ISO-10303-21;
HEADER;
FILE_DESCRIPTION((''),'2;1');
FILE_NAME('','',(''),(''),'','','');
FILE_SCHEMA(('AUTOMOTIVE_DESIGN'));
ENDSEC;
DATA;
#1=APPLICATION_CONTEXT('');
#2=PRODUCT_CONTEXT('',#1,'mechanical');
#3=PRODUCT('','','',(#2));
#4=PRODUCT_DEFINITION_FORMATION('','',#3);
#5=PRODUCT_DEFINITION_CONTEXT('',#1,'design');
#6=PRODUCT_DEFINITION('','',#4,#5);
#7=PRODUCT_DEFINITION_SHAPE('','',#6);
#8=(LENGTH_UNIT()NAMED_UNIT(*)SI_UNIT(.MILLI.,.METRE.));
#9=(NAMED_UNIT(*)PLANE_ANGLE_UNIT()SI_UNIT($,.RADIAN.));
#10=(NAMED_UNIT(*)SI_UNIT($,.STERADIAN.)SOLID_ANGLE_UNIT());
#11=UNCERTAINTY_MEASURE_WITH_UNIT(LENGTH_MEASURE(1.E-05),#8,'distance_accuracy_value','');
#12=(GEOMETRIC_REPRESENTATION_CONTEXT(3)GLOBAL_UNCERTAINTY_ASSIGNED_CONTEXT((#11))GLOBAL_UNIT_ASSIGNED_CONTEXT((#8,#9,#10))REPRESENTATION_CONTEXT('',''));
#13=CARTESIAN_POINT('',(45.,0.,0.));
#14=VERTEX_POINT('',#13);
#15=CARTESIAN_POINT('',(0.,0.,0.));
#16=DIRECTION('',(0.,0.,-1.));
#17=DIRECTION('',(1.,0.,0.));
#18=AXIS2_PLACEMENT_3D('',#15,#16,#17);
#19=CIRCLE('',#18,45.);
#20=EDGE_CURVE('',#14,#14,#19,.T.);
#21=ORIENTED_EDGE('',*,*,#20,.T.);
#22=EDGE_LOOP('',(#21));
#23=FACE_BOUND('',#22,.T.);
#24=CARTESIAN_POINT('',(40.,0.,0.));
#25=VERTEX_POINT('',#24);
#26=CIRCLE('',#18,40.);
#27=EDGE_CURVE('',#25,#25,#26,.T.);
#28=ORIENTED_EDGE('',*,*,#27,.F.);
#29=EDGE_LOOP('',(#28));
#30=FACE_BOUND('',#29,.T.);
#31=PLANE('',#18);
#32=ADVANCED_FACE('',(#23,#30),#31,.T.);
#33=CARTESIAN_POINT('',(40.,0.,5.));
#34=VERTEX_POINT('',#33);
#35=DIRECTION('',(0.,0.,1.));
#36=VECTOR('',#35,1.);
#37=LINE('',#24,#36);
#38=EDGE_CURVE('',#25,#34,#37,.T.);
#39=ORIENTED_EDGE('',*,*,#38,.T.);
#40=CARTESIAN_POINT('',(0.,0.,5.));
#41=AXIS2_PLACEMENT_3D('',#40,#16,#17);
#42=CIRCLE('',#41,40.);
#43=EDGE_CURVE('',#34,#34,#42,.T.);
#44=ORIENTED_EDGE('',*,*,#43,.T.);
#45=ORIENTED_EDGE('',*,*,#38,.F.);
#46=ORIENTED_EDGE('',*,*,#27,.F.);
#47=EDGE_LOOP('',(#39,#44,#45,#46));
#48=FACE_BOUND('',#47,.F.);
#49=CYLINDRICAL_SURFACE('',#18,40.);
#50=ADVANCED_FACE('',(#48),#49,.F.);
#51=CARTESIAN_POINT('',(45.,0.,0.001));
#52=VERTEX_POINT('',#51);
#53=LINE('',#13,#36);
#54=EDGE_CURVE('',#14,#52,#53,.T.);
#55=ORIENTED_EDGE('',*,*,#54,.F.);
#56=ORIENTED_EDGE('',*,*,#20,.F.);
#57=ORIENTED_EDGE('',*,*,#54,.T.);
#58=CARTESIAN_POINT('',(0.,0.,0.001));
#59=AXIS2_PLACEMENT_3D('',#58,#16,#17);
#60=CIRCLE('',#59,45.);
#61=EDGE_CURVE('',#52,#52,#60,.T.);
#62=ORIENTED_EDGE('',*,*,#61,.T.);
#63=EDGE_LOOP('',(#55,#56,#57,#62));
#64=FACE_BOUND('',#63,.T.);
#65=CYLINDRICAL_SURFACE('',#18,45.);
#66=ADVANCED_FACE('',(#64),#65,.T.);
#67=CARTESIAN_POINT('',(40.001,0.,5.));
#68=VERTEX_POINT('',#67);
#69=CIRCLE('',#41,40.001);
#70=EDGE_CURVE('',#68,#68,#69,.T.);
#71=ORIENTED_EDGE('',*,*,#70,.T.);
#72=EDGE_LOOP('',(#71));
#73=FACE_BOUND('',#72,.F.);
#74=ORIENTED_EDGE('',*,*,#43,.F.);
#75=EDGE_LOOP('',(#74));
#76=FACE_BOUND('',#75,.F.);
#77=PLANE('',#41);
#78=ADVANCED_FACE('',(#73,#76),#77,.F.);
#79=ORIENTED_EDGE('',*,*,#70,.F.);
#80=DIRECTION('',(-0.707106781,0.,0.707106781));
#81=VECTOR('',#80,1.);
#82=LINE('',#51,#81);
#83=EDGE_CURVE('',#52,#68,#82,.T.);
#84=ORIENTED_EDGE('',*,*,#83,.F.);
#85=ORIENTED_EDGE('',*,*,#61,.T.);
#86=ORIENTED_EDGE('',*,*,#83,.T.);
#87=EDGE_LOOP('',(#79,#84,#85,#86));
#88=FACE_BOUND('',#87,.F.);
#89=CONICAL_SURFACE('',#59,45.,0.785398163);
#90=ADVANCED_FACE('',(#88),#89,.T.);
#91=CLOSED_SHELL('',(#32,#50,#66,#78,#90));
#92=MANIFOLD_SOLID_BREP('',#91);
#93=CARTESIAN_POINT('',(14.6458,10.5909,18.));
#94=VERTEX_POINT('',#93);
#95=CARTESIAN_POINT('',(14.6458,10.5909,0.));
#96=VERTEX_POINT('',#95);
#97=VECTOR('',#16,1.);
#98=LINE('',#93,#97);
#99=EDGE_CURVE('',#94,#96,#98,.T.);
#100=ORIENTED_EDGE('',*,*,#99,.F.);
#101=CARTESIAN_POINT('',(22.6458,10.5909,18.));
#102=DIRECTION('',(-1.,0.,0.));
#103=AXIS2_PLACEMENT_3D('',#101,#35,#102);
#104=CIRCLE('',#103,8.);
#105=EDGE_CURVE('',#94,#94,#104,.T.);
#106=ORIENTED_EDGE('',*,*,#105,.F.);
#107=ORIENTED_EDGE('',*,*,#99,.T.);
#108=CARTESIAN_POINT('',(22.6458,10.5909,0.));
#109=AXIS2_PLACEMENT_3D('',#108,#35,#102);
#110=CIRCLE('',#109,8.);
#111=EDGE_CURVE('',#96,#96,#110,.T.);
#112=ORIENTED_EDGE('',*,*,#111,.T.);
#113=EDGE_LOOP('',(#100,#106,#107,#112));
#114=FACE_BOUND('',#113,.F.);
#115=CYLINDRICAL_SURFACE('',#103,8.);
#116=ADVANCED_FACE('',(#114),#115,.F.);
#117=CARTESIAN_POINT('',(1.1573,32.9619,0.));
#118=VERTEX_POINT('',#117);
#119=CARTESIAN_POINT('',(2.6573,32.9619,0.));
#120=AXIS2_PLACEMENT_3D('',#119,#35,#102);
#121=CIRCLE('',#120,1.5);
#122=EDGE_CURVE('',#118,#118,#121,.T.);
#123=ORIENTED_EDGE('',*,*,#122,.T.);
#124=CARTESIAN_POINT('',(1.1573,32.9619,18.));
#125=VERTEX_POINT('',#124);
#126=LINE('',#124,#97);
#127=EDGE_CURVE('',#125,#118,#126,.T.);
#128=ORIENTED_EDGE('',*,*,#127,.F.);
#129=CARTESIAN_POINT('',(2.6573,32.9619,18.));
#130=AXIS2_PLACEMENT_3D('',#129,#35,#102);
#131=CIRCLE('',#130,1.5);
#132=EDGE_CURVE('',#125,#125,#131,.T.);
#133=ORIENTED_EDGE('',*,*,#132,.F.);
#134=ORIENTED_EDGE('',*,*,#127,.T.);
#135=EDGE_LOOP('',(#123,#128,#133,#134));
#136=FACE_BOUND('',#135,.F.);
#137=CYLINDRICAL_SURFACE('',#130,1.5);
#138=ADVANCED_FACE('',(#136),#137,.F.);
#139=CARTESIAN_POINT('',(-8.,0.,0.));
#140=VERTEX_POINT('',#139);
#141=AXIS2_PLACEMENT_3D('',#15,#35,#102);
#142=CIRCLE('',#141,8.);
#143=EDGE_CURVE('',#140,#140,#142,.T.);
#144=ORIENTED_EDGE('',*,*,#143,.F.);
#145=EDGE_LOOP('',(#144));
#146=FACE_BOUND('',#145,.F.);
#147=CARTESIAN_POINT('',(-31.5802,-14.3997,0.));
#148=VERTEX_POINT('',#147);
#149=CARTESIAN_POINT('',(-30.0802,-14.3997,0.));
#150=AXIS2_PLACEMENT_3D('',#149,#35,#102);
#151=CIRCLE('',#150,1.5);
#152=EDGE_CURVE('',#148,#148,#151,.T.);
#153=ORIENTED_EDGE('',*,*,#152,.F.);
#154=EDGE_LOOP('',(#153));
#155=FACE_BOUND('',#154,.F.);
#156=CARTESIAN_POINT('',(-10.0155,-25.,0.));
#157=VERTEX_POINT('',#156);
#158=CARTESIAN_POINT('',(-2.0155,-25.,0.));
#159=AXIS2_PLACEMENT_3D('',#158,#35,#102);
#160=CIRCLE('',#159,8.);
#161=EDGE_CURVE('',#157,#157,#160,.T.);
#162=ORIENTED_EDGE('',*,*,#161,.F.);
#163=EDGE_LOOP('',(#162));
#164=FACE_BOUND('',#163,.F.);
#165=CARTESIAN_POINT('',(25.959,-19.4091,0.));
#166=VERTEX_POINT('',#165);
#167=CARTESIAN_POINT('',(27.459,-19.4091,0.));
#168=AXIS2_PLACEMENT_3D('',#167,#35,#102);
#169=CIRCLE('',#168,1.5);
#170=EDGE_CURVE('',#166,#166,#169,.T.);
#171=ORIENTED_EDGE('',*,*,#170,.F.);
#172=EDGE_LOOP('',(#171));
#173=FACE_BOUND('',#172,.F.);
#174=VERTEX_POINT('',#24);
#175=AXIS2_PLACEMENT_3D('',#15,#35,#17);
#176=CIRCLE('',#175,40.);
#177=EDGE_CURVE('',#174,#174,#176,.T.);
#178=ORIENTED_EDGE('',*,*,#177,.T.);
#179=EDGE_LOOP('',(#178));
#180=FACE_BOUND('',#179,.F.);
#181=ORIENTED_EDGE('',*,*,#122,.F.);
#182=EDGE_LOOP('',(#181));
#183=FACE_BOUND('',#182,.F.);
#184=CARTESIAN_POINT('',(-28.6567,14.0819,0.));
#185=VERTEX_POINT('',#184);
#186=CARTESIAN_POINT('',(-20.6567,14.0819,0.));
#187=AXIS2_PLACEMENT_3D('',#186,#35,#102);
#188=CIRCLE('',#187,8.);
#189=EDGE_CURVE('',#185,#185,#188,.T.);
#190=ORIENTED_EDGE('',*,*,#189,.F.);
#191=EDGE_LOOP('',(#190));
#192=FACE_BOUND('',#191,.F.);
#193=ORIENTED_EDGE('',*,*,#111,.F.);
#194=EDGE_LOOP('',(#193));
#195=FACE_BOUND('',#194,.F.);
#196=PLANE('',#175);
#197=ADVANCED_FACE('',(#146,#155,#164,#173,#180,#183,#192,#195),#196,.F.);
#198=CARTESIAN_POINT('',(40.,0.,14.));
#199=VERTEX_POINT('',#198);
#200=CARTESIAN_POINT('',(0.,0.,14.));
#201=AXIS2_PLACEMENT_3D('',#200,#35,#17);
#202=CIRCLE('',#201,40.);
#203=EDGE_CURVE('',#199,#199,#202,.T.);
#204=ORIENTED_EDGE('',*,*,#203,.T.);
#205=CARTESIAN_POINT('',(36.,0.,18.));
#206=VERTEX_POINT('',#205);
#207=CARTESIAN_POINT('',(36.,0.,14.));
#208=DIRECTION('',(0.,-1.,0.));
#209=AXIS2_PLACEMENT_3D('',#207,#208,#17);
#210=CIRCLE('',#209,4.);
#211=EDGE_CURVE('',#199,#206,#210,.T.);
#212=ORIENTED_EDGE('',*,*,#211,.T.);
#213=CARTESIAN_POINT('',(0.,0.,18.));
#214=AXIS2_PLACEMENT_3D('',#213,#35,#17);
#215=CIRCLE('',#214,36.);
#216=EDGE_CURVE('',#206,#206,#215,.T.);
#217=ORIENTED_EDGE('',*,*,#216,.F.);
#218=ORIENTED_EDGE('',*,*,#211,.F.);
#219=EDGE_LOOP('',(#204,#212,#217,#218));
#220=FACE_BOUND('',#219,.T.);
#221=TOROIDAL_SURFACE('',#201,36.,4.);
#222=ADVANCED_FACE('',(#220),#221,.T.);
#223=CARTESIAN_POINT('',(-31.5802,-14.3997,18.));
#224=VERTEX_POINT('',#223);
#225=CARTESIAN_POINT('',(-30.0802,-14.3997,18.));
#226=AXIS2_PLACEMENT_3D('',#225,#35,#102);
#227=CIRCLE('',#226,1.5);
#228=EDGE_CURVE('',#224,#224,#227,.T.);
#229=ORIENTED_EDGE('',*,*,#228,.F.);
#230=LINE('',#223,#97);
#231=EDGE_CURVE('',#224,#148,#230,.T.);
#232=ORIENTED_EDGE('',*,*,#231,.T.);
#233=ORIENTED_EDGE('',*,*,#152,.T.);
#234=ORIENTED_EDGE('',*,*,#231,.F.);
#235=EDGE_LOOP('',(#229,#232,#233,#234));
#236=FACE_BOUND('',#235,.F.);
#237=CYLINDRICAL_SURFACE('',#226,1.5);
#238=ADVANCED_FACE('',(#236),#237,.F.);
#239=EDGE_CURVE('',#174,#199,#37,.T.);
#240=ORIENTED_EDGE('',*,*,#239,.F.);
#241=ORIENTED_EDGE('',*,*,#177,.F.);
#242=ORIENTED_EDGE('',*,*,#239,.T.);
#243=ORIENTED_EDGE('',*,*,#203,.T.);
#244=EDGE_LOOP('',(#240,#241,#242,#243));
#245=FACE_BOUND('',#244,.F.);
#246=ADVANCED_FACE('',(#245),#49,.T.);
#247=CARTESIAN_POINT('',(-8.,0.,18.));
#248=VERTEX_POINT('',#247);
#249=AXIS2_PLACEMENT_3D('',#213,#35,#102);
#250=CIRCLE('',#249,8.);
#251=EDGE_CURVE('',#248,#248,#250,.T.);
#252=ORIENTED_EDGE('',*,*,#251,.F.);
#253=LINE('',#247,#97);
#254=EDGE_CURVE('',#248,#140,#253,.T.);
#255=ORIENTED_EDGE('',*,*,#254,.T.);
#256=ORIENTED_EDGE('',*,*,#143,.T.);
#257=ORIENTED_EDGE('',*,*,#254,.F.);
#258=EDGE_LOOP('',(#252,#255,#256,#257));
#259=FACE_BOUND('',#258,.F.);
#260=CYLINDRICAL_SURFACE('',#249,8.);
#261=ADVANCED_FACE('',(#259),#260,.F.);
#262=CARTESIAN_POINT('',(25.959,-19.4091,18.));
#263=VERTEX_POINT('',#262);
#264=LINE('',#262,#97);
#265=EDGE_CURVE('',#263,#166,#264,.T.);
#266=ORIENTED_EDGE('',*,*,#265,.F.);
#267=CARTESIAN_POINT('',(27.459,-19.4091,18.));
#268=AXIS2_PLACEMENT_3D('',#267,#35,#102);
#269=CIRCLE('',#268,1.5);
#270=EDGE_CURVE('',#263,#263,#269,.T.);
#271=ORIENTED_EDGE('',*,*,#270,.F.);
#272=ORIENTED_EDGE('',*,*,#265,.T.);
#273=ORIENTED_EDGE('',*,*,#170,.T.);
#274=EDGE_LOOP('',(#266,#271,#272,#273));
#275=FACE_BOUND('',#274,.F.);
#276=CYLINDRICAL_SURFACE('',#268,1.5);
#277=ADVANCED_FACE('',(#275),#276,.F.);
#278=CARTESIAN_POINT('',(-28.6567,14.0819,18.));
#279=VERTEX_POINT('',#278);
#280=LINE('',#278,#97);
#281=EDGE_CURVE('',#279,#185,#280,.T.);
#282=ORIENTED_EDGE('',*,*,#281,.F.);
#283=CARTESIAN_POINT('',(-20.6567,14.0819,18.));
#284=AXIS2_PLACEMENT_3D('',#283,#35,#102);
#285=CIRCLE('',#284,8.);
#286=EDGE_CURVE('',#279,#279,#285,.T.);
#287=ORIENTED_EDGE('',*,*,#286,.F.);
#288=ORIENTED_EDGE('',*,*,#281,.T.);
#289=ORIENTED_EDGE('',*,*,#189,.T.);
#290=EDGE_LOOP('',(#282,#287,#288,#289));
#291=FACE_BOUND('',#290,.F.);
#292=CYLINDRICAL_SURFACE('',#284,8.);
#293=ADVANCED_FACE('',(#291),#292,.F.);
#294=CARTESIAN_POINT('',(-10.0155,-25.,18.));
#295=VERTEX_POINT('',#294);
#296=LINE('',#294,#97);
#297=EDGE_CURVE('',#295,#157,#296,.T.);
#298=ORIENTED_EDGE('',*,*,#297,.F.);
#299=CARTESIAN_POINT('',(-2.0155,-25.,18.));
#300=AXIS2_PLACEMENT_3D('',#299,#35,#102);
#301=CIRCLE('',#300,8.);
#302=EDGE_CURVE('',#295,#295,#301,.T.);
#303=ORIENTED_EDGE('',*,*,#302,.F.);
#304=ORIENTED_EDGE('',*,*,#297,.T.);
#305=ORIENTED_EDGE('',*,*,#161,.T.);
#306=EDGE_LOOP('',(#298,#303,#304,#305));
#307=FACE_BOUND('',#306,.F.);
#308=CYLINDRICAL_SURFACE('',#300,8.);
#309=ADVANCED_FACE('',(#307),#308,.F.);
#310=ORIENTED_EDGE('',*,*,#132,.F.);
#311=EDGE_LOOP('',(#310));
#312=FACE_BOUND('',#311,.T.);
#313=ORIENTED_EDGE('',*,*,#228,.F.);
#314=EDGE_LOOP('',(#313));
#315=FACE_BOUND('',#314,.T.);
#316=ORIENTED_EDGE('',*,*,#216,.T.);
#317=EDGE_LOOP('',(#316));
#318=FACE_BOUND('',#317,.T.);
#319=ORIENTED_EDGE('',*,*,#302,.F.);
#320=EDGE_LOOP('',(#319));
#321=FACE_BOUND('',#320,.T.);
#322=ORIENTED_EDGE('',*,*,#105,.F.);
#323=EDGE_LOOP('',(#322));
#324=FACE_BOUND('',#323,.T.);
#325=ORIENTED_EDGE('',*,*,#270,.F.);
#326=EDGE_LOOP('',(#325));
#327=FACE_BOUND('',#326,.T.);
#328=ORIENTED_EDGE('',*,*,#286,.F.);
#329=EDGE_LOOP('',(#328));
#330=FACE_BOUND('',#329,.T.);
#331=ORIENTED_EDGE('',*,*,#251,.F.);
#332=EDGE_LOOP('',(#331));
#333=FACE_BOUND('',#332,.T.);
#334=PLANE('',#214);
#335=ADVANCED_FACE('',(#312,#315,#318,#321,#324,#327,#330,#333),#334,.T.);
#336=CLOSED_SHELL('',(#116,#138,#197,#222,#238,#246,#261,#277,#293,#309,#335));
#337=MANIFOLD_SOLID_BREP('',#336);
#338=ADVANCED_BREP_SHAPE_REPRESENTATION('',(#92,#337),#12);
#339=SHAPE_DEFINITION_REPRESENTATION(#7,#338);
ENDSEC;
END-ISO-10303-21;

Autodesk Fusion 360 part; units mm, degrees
sketch "Esquisse1" plane through (0, 0, 0) normal (0, 0, 1) x (1, 0, 0)
  circle A0 centre (0, 0) radius 40
  dimension "d1" = 80
extrude "Extrusion1" add sketch "Esquisse1" along normal blind 18 makes body 1
sketch "Esquisse2" plane through (0, 0, 18) normal (0, 0, 1) x (-1, 0, 0)
  circle A0 centre (0, 0) radius 40
  circle A1 centre (0, 0) radius 8
  circle A2 centre (20.6567, -14.0819) radius 8
  circle A3 centre (-22.6458, -10.5909) radius 8
  circle A4 centre (2.0155, 25) radius 8
  circle A5 centre (-2.6573, -32.9619) radius 1.5
  circle A6 centre (30.0802, 14.3997) radius 1.5
  circle A7 centre (-27.459, 19.4091) radius 1.5
  dimension "d4" = 16
  dimension "d5" = 16
  dimension "d6" = 16
  dimension "d7" = 16
  dimension "d8" = 25
  dimension "d9" = 25
  dimension "d10" = 25
  dimension "d11" = 43.3
  dimension "d12" = 43.3
  dimension "d13" = 43.3026
  dimension "d14" = 3
  dimension "d15" = 3
  dimension "d16" = 3
  dimension "d17" = 30
  dimension "d18" = 30
  dimension "d19" = 30
  dimension "d20" = 30
  dimension "d21" = 30
  dimension "d22" = 30
extrude "Extrusion2" cut sketch "Esquisse2" against normal blind 18 contours A1 | A2 | A3 | A4 | A5 | A6 | A7 bodies 1
fillet "Congé1" radius 4 1 edges at (-37.2931, -14.4646, 18) on bodies 1
sketch "Esquisse3" plane through (0, 0, 0) normal (0, 0, -1) x (1, 0, 0)
  circle A0 centre (-2.0155, 25) radius 8
  circle A1 centre (-20.6567, -14.0819) radius 8
  circle A2 centre (2.6573, -32.9619) radius 1.5
  circle A3 centre (-30.0802, 14.3997) radius 1.5
  circle A4 centre (0, 0) radius 8
  circle A5 centre (22.6458, -10.5909) radius 8
  circle A6 centre (27.459, 19.4091) radius 1.5
  circle A7 centre (0, 0) radius 40
  circle A8 centre (0, 0) radius 45
  dimension "d27" = 90
extrude "Extrusion3" add sketch "Esquisse3" against normal blind 5 separate body contours A8 makes body 2
chamfer "Chanfrein1" distance 5 angle 45 1 edges at (-41.9547, -16.2727, 5) on bodies 2
equation "d30 = 5 * mm"
